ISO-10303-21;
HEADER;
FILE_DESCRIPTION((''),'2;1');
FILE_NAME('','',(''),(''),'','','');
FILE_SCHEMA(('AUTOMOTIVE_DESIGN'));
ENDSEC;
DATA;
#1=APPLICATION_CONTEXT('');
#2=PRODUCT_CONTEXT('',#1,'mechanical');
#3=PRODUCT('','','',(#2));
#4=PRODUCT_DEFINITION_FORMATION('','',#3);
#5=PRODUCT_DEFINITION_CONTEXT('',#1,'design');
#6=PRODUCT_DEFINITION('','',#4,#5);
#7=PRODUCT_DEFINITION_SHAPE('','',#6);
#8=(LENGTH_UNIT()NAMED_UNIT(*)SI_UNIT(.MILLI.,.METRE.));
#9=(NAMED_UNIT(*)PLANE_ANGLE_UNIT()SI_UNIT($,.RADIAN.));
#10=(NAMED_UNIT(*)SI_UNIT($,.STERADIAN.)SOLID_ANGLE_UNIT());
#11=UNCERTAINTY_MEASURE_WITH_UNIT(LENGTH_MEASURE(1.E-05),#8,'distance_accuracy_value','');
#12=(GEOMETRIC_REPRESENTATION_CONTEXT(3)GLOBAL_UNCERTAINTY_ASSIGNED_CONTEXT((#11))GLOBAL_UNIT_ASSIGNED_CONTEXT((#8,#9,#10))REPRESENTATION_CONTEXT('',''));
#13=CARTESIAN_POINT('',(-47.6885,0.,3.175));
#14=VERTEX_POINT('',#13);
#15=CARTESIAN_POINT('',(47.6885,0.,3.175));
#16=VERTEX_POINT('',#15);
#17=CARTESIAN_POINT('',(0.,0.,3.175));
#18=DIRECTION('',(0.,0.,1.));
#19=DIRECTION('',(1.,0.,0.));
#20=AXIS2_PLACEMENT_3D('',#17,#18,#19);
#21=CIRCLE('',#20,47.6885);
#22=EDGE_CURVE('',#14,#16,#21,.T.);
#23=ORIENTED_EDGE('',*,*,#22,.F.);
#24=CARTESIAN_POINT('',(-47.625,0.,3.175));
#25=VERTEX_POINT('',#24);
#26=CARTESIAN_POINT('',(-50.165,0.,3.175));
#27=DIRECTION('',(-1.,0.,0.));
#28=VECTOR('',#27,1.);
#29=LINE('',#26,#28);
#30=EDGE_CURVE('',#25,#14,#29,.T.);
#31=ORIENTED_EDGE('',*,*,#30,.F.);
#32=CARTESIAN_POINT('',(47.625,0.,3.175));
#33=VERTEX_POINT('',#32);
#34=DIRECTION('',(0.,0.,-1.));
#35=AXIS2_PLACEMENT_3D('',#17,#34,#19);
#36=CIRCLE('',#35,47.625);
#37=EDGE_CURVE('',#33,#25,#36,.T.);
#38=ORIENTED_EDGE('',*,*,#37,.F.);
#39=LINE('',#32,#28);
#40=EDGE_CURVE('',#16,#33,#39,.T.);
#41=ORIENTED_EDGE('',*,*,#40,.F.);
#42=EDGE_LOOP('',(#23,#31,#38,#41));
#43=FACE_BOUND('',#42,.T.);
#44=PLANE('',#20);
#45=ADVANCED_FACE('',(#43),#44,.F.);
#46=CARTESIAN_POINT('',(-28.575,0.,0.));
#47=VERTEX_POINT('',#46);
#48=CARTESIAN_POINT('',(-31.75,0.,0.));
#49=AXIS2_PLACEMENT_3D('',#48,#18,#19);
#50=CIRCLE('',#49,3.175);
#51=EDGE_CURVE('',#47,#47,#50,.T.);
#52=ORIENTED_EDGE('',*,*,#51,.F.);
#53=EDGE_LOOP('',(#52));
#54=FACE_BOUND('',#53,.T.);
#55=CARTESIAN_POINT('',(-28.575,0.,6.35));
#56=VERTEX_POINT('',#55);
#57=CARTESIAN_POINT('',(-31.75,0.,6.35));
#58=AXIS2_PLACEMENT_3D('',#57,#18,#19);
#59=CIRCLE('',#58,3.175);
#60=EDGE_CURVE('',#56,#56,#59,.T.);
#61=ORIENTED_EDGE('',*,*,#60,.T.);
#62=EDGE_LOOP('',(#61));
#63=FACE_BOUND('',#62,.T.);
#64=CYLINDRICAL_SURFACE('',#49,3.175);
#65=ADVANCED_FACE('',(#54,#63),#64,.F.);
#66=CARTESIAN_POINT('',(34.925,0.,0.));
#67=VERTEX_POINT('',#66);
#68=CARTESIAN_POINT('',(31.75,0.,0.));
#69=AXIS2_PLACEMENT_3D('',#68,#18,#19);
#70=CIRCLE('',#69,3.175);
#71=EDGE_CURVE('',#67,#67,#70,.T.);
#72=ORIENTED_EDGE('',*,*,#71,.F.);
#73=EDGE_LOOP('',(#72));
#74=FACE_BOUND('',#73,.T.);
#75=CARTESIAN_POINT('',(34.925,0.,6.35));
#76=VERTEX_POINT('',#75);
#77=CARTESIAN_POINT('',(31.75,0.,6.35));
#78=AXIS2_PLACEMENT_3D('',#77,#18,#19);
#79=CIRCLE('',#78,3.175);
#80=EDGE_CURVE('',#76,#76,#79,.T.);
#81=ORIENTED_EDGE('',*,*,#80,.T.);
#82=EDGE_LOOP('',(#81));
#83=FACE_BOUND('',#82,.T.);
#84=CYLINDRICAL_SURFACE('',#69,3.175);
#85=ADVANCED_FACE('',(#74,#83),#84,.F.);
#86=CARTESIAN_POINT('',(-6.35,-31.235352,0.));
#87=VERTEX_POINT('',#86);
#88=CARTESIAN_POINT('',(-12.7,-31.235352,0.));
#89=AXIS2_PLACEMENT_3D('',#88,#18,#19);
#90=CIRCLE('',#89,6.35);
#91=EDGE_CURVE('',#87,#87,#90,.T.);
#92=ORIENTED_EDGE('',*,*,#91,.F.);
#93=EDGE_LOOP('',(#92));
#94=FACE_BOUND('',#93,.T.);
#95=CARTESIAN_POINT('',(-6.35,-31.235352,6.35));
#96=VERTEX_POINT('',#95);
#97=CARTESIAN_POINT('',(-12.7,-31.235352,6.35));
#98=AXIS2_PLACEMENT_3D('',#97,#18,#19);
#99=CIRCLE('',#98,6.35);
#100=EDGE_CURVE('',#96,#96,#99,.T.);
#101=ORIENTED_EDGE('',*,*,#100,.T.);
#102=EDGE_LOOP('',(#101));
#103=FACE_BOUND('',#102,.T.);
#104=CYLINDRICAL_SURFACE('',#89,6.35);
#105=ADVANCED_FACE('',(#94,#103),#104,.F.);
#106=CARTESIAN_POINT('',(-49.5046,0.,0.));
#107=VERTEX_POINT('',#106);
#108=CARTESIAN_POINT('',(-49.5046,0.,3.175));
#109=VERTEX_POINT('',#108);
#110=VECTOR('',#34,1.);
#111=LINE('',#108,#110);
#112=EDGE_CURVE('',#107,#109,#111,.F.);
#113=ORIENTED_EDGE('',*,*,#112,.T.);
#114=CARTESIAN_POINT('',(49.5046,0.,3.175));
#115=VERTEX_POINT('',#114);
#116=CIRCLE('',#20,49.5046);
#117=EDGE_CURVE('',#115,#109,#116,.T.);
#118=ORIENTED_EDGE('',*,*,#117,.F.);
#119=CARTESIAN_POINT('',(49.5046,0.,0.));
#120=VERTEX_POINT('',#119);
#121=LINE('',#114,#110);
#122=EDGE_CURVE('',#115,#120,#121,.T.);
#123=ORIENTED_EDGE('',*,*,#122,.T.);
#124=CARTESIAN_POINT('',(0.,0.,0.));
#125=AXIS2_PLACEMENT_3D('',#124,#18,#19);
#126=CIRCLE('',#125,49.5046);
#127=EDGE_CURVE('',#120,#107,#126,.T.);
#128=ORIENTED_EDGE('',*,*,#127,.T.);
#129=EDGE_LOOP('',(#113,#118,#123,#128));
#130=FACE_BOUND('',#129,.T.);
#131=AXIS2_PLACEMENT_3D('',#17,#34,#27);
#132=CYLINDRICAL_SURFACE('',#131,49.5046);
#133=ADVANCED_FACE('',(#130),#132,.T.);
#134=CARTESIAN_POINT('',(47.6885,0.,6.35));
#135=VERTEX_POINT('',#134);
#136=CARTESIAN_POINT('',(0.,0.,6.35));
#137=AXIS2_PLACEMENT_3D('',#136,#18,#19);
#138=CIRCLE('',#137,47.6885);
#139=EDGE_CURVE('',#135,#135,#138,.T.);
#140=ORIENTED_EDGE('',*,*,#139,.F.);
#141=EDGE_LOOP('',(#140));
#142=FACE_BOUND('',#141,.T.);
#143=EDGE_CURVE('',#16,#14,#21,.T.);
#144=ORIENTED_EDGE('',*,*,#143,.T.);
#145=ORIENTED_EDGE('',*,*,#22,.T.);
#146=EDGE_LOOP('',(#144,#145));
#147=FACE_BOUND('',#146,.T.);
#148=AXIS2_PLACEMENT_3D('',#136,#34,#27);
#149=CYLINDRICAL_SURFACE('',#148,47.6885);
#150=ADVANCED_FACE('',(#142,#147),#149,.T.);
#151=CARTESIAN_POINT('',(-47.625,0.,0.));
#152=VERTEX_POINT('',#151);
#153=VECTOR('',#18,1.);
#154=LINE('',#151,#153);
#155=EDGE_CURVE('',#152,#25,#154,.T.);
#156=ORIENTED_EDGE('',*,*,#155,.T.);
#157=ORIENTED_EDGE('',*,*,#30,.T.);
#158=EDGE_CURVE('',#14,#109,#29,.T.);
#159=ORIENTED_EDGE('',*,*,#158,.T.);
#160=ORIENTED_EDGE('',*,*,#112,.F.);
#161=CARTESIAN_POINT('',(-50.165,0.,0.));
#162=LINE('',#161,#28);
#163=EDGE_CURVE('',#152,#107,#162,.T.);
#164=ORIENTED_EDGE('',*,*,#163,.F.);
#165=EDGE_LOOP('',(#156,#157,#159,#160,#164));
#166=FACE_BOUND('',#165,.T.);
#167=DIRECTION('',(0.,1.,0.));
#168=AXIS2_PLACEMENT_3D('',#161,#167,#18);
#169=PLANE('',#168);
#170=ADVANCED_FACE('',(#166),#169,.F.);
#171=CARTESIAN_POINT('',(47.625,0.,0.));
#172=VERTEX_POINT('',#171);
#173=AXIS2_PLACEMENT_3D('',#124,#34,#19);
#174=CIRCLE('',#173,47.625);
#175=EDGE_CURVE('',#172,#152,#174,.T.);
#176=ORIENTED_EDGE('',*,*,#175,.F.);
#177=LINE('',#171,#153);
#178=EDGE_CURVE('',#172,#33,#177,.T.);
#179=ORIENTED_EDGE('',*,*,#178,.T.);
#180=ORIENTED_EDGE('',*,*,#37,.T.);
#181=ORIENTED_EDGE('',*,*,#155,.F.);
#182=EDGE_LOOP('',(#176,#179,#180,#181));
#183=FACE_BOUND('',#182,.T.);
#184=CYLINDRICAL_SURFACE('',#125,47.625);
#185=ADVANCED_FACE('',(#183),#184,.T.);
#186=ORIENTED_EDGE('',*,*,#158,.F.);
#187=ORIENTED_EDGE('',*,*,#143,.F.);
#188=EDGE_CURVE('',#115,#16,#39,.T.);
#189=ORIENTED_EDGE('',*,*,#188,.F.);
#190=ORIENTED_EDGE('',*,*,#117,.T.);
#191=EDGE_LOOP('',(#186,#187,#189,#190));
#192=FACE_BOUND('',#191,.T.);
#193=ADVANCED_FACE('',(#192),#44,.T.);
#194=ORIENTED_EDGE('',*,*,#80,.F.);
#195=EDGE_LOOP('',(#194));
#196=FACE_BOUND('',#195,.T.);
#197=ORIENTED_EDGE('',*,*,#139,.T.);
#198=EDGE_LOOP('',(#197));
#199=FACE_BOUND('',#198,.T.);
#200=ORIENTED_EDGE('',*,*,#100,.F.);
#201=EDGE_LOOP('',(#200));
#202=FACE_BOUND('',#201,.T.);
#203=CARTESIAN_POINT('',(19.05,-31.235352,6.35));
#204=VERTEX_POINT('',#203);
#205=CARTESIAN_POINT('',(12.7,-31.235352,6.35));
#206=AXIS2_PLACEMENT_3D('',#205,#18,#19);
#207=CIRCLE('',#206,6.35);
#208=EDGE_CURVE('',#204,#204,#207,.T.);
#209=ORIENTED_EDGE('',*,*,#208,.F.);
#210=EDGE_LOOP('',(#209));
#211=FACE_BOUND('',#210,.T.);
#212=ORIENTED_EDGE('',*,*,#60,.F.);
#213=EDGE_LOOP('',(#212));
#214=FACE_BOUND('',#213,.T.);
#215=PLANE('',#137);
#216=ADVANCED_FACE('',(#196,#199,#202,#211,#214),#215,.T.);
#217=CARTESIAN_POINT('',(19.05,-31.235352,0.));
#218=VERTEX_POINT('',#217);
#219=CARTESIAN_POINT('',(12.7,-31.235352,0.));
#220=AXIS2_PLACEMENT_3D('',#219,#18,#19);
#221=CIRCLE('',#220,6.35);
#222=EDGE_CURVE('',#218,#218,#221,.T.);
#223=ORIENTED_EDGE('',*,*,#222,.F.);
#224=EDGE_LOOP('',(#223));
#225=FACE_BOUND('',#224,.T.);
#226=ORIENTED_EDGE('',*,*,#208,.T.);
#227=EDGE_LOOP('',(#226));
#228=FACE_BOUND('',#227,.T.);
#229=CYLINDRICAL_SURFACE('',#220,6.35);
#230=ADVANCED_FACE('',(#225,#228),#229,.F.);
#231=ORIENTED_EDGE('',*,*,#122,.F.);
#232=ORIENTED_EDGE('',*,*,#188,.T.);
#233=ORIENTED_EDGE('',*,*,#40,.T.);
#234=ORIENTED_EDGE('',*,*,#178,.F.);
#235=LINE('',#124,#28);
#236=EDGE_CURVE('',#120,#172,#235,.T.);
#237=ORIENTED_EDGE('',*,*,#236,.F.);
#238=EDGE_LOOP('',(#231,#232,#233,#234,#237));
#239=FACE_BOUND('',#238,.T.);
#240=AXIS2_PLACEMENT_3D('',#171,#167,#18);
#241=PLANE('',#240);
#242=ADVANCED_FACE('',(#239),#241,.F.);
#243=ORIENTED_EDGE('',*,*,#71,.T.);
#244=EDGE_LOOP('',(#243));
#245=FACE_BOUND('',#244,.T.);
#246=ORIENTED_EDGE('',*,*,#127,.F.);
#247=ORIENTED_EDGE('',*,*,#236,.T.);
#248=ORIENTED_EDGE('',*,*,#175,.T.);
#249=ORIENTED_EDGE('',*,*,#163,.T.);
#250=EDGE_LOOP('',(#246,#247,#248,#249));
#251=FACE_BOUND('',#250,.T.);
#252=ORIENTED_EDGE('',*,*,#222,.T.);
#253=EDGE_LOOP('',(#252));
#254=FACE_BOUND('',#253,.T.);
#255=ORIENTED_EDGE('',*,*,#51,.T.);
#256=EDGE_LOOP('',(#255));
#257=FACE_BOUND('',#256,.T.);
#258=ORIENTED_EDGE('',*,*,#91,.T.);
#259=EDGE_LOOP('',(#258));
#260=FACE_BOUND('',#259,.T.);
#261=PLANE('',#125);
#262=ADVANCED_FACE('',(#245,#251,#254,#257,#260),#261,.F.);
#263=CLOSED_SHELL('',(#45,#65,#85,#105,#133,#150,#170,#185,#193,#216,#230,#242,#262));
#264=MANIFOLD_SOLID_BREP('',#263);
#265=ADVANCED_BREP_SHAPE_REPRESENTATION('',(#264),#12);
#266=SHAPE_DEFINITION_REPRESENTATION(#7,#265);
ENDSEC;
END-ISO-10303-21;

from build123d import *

# Parameters (mm, degrees)
SKETCH1_R           = 49.5046
BOSS_EXTRUDE1_DEPTH = 3.175
SKETCH2_R           = 47.6885
BOSS_EXTRUDE2_DEPTH = 3.175
SKETCH3_R           = 3.175
SKETCH3_R_2         = 6.35
CUT_EXTRUDE1_DEPTH  = 7.35
CUT_EXTRUDE2_DEPTH  = 4.175


with BuildPart() as part:
    # Sketch1 → Boss-Extrude1 (new body)
    with BuildSketch(Plane.XY):
        Circle(SKETCH1_R)
    extrude(amount=BOSS_EXTRUDE1_DEPTH)

    # Sketch2 → Boss-Extrude2 (add)
    with BuildSketch(Plane.XY.offset(3.175)):
        Circle(SKETCH2_R)
    extrude(amount=BOSS_EXTRUDE2_DEPTH)

    # Sketch3 → Cut-Extrude1 (cut, through all)
    with BuildSketch(Plane.XY.offset(6.35)):
        with Locations((-31.75, 0)):
            Circle(SKETCH3_R)
        with Locations((31.75, 0)):
            Circle(SKETCH3_R)
        with Locations((-12.7, -31.235352443)):
            Circle(SKETCH3_R_2)
        with Locations((12.7, -31.235352443)):
            Circle(SKETCH3_R_2)
    extrude(amount=-CUT_EXTRUDE1_DEPTH, mode=Mode.SUBTRACT)

    # Sketch4 → Cut-Extrude2 (cut, through all)
    with BuildSketch(Plane.XY.offset(3.175)):
        with BuildLine():
            Line((-50.165, 0), (-47.625, 0))
            ThreePointArc((-47.625, 0), (0, -47.625), (47.625, 0))
            Line((47.625, 0), (50.165, 0))
            ThreePointArc((50.165, 0), (0, -50.165), (-50.165, 0))
        make_face()
    extrude(amount=-CUT_EXTRUDE2_DEPTH, mode=Mode.SUBTRACT)


solid = part.part
